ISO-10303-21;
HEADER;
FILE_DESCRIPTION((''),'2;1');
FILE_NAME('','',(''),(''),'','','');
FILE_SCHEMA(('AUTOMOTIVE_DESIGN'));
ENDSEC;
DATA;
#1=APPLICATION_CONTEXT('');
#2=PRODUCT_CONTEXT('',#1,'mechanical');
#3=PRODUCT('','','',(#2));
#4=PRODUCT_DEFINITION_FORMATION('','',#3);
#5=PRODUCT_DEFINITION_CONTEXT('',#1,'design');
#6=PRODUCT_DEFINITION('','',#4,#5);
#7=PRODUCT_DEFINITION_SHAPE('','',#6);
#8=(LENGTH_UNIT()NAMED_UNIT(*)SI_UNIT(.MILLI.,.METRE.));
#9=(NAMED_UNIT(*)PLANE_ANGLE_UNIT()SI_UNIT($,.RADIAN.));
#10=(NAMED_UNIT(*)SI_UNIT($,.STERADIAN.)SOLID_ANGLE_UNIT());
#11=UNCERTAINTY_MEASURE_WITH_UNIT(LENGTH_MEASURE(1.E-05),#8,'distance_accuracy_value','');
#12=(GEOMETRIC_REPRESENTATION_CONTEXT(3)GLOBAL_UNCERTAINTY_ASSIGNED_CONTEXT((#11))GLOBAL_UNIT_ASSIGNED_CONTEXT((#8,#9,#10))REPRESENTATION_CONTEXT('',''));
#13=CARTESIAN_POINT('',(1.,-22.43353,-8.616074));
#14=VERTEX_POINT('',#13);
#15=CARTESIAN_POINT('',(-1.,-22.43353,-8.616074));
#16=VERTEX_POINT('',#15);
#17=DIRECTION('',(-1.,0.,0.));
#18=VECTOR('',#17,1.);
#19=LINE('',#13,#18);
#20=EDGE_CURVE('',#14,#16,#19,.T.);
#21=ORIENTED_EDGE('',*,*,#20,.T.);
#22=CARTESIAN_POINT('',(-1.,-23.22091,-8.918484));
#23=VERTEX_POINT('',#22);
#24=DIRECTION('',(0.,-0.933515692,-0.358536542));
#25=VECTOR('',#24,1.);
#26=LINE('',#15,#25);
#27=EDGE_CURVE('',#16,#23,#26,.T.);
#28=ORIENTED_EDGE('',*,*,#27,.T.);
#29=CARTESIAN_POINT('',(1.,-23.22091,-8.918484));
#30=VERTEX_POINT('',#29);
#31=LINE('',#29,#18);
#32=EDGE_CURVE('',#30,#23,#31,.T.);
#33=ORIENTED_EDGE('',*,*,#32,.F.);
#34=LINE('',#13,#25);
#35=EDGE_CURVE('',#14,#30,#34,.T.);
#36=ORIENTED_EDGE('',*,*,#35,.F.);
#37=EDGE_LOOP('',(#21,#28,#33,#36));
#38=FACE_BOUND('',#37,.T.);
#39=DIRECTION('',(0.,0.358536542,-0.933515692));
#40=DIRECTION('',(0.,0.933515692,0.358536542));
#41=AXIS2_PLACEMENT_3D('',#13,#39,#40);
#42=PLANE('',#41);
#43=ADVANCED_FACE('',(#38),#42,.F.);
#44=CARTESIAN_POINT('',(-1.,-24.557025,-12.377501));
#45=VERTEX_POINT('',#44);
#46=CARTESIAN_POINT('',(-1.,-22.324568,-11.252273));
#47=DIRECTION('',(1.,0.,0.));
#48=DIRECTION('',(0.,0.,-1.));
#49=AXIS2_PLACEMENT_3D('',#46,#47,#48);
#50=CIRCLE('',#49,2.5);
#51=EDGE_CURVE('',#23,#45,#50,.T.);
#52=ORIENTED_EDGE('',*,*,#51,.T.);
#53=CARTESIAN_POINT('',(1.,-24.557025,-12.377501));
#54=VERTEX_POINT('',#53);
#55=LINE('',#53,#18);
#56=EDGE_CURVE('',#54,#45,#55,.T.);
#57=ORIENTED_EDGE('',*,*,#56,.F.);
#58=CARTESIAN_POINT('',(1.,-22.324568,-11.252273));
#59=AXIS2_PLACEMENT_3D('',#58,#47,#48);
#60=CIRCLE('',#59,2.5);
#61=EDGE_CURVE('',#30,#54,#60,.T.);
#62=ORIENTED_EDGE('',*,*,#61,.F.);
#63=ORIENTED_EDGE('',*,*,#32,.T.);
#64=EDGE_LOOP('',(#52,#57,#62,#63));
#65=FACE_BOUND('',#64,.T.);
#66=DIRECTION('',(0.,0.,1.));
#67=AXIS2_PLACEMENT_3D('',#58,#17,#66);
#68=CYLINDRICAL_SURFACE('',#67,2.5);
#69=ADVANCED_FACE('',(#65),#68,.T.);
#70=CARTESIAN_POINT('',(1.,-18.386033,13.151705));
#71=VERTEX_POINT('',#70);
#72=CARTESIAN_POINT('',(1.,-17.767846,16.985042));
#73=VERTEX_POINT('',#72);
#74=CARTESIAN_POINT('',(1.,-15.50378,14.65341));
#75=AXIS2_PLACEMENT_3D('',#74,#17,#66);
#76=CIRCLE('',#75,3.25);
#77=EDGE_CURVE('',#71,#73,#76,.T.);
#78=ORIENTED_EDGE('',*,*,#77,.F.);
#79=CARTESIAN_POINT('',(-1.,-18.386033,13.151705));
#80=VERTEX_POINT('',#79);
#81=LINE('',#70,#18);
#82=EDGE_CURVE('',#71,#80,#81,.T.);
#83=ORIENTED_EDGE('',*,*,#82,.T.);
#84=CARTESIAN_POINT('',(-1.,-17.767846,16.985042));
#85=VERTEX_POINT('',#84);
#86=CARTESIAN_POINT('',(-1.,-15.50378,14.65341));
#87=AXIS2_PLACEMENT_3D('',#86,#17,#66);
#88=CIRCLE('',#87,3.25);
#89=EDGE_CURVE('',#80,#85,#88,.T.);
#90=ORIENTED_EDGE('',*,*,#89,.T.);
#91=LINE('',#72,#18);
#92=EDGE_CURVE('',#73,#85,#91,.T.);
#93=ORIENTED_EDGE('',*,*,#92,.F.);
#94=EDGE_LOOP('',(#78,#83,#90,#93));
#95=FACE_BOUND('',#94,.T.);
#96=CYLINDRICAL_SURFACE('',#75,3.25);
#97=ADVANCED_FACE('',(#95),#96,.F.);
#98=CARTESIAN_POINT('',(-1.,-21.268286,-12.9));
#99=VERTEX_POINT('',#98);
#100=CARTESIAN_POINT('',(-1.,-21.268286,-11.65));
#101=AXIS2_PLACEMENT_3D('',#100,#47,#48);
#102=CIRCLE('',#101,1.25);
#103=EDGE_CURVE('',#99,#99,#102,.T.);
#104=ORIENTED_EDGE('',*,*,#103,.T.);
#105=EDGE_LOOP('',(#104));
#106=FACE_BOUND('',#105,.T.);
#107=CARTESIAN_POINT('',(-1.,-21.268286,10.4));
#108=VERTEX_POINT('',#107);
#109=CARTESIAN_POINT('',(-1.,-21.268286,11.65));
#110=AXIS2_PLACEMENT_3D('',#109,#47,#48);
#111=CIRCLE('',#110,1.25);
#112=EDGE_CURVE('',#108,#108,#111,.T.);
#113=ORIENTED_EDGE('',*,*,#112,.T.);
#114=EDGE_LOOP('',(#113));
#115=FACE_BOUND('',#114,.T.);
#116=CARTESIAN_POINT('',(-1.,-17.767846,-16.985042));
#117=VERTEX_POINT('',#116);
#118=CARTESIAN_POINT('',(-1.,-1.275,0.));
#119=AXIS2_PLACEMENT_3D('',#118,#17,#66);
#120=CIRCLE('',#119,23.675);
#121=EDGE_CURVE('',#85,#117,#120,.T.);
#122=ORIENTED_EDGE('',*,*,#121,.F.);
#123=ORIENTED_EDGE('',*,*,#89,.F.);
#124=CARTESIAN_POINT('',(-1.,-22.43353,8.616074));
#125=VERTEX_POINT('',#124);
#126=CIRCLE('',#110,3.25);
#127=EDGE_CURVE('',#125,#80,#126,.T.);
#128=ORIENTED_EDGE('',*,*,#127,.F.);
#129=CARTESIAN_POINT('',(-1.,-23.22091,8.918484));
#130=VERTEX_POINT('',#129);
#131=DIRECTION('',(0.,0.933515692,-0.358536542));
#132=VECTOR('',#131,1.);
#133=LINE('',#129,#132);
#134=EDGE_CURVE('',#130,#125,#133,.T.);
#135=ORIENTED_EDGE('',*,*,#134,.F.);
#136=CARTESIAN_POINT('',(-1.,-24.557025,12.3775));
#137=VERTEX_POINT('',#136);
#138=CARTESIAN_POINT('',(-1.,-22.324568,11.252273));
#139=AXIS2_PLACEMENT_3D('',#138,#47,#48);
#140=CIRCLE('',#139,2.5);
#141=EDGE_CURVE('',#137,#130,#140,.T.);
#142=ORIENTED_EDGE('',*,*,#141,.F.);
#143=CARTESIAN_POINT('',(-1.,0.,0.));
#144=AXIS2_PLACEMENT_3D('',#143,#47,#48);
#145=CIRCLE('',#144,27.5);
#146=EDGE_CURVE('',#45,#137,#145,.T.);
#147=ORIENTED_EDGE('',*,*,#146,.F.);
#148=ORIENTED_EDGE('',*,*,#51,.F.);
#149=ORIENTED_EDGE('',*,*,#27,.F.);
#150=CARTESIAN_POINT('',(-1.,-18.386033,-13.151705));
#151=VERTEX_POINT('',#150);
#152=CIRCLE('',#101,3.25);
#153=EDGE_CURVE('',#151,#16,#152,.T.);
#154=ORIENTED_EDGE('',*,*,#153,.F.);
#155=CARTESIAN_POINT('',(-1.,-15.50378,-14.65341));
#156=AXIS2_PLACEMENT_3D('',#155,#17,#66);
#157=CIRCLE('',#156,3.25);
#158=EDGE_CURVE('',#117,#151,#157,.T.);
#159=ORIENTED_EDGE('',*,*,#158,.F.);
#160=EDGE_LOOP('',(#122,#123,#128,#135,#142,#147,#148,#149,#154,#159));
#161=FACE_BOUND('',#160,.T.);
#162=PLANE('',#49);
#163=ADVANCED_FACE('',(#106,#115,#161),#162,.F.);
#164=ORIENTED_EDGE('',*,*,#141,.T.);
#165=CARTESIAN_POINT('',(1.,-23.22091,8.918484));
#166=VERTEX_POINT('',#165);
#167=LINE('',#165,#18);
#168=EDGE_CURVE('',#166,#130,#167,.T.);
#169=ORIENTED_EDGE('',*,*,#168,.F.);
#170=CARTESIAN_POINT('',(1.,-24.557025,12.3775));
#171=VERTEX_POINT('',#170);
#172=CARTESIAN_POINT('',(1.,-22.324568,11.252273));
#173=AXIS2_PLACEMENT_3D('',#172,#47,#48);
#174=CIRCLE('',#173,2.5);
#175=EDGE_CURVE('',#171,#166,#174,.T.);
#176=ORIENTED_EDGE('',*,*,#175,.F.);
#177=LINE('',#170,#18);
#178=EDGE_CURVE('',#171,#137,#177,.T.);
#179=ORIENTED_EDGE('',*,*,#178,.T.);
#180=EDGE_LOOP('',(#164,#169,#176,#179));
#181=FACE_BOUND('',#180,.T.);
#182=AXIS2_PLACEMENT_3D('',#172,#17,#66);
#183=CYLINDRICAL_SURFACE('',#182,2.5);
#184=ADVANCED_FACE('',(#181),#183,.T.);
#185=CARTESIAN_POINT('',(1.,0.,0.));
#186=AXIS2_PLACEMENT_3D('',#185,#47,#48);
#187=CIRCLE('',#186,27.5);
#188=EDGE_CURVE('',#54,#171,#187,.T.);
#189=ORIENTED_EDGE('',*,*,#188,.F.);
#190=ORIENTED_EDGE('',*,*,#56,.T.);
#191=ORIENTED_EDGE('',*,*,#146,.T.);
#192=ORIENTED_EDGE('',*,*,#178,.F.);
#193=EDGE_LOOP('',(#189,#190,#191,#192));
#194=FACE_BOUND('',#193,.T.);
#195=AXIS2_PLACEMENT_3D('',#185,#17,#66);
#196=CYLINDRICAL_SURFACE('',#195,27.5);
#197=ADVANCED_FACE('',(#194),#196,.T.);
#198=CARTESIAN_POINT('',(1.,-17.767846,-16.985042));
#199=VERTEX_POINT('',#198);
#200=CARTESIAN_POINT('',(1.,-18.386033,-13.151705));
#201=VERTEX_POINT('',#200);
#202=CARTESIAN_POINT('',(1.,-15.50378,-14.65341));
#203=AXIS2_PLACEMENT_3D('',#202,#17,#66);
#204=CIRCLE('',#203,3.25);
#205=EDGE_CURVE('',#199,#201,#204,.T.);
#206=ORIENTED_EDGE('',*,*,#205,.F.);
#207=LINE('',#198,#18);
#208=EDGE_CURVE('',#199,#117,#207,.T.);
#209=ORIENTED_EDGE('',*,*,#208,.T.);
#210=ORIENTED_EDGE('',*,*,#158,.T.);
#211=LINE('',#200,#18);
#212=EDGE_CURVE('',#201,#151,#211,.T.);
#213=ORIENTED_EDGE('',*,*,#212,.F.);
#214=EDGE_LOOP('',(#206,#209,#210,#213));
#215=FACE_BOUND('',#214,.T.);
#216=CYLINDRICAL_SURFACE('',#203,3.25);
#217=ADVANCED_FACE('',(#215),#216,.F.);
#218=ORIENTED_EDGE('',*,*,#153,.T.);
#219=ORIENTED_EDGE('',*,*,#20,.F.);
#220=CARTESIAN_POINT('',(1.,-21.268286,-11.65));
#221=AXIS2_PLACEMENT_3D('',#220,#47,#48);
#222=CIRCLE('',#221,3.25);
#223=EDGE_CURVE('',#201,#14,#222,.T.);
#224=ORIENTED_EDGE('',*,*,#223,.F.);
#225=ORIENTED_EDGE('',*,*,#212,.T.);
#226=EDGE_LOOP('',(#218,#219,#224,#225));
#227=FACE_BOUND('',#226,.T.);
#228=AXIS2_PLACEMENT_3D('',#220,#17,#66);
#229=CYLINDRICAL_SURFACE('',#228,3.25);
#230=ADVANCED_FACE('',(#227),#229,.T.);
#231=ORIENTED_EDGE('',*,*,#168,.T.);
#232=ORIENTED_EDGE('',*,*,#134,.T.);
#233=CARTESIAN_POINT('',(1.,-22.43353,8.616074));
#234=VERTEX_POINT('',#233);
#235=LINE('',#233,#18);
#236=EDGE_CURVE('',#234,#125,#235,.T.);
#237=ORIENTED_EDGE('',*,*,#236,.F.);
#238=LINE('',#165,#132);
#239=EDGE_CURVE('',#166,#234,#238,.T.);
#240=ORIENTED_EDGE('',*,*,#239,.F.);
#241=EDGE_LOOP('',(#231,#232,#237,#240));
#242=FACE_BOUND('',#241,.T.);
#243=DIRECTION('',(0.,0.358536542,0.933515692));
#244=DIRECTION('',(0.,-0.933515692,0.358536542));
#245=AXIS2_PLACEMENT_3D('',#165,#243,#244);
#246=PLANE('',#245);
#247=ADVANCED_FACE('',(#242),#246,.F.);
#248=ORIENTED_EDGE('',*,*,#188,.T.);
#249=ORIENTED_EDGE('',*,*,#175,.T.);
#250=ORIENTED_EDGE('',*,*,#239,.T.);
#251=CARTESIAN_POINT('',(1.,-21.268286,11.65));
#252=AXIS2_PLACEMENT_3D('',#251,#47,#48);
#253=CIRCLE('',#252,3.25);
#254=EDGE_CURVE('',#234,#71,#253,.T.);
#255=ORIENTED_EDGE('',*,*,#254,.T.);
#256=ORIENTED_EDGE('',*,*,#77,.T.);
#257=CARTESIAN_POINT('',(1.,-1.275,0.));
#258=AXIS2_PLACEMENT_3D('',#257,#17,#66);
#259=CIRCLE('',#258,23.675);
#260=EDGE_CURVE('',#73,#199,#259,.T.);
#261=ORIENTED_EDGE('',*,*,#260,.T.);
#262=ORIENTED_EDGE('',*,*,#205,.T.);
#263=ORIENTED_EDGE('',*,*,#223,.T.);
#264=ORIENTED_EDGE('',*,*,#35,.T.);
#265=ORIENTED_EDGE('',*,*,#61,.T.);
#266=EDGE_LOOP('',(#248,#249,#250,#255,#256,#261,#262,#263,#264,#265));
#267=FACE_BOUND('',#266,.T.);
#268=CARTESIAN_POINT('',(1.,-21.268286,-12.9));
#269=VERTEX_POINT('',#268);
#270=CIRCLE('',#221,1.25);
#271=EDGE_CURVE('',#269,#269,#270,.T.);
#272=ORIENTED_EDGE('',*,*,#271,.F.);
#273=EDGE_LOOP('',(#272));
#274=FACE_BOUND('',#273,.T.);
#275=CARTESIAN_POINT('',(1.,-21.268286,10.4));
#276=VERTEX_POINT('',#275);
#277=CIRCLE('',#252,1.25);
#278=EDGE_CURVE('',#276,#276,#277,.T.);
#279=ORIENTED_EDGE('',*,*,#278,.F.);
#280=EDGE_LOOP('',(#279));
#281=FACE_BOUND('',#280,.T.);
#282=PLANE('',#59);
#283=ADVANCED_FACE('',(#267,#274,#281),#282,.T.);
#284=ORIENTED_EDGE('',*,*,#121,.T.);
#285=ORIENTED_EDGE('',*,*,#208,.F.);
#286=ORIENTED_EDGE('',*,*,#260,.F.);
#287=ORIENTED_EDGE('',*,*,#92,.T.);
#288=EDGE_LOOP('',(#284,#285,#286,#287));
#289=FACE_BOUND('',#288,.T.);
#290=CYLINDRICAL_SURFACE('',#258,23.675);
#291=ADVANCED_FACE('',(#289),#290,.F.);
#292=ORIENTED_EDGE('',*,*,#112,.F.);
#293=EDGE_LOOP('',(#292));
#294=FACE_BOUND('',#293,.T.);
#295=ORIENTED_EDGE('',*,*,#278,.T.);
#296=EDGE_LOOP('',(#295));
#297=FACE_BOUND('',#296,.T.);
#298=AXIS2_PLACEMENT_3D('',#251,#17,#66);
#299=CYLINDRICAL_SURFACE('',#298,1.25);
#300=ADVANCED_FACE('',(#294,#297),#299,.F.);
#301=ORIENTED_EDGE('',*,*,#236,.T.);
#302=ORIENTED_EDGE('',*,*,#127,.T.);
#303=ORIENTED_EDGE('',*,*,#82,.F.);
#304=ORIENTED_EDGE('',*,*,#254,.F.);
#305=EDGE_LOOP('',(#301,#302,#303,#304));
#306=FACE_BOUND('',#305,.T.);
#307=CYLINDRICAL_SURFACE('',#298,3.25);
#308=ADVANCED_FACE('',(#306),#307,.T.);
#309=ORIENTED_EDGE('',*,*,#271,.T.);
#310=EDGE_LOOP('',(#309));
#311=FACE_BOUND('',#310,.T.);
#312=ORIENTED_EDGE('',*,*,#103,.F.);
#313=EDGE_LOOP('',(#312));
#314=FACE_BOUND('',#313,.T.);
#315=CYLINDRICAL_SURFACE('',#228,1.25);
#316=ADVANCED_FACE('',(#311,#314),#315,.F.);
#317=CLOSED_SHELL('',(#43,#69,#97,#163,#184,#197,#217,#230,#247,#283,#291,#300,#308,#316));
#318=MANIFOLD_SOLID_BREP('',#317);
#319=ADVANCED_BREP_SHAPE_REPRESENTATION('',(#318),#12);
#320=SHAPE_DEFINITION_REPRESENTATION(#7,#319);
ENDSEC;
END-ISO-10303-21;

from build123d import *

# Parameters (mm, degrees)
BOSS_EXTRUDE1_DEPTH      = 1
BOSS_EXTRUDE1_DEPTH_BACK = 1
SKETCH1_R                = 1.25


with BuildPart() as part:
    # Sketch1 → Boss-Extrude1 (new, two sides: drawn at the far end of the back side and taken through both)
    with BuildSketch(Plane(origin=(0, 0, 0), x_dir=(0, 0, -1), z_dir=(1, 0, 0)).offset(-BOSS_EXTRUDE1_DEPTH_BACK)):
        with BuildLine():
            Line((-8.918483886, -23.220909654), (-8.616074, -22.433530013))
            ThreePointArc((-8.616074, -22.433530013), (-9.486095569, -18.843411487), (-13.151705182, -18.38603339))
            ThreePointArc((-13.151705182, -18.38603339), (-15.170840028, -18.712326304), (-16.985042177, -17.767845941))
            ThreePointArc((-16.985042177, -17.767845941), (-1.98e-07, 22.4), (16.985042454, -17.767845656))
            ThreePointArc((16.985042454, -17.767845656), (15.170840224, -18.712326272), (13.151705182, -18.38603339))
            ThreePointArc((13.151705182, -18.38603339), (9.486095569, -18.843411487), (8.616074, -22.433530013))
            Line((8.616074, -22.433530013), (8.918483886, -23.220909654))
            ThreePointArc((8.918483886, -23.220909654), (10.351464338, -24.65663681), (12.377500601, -24.557025041))
            ThreePointArc((12.377500601, -24.557025041), (-9.7e-08, 27.5), (-12.377500429, -24.557025128))
            ThreePointArc((-12.377500429, -24.557025128), (-10.351464248, -24.656636775), (-8.918483886, -23.220909654))
        make_face()
        with Locations((11.65, -21.26828625)):
            Circle(SKETCH1_R, mode=Mode.SUBTRACT)
        with Locations((-11.65, -21.26828625)):
            Circle(SKETCH1_R, mode=Mode.SUBTRACT)
    extrude(amount=BOSS_EXTRUDE1_DEPTH + BOSS_EXTRUDE1_DEPTH_BACK)


solid = part.part
